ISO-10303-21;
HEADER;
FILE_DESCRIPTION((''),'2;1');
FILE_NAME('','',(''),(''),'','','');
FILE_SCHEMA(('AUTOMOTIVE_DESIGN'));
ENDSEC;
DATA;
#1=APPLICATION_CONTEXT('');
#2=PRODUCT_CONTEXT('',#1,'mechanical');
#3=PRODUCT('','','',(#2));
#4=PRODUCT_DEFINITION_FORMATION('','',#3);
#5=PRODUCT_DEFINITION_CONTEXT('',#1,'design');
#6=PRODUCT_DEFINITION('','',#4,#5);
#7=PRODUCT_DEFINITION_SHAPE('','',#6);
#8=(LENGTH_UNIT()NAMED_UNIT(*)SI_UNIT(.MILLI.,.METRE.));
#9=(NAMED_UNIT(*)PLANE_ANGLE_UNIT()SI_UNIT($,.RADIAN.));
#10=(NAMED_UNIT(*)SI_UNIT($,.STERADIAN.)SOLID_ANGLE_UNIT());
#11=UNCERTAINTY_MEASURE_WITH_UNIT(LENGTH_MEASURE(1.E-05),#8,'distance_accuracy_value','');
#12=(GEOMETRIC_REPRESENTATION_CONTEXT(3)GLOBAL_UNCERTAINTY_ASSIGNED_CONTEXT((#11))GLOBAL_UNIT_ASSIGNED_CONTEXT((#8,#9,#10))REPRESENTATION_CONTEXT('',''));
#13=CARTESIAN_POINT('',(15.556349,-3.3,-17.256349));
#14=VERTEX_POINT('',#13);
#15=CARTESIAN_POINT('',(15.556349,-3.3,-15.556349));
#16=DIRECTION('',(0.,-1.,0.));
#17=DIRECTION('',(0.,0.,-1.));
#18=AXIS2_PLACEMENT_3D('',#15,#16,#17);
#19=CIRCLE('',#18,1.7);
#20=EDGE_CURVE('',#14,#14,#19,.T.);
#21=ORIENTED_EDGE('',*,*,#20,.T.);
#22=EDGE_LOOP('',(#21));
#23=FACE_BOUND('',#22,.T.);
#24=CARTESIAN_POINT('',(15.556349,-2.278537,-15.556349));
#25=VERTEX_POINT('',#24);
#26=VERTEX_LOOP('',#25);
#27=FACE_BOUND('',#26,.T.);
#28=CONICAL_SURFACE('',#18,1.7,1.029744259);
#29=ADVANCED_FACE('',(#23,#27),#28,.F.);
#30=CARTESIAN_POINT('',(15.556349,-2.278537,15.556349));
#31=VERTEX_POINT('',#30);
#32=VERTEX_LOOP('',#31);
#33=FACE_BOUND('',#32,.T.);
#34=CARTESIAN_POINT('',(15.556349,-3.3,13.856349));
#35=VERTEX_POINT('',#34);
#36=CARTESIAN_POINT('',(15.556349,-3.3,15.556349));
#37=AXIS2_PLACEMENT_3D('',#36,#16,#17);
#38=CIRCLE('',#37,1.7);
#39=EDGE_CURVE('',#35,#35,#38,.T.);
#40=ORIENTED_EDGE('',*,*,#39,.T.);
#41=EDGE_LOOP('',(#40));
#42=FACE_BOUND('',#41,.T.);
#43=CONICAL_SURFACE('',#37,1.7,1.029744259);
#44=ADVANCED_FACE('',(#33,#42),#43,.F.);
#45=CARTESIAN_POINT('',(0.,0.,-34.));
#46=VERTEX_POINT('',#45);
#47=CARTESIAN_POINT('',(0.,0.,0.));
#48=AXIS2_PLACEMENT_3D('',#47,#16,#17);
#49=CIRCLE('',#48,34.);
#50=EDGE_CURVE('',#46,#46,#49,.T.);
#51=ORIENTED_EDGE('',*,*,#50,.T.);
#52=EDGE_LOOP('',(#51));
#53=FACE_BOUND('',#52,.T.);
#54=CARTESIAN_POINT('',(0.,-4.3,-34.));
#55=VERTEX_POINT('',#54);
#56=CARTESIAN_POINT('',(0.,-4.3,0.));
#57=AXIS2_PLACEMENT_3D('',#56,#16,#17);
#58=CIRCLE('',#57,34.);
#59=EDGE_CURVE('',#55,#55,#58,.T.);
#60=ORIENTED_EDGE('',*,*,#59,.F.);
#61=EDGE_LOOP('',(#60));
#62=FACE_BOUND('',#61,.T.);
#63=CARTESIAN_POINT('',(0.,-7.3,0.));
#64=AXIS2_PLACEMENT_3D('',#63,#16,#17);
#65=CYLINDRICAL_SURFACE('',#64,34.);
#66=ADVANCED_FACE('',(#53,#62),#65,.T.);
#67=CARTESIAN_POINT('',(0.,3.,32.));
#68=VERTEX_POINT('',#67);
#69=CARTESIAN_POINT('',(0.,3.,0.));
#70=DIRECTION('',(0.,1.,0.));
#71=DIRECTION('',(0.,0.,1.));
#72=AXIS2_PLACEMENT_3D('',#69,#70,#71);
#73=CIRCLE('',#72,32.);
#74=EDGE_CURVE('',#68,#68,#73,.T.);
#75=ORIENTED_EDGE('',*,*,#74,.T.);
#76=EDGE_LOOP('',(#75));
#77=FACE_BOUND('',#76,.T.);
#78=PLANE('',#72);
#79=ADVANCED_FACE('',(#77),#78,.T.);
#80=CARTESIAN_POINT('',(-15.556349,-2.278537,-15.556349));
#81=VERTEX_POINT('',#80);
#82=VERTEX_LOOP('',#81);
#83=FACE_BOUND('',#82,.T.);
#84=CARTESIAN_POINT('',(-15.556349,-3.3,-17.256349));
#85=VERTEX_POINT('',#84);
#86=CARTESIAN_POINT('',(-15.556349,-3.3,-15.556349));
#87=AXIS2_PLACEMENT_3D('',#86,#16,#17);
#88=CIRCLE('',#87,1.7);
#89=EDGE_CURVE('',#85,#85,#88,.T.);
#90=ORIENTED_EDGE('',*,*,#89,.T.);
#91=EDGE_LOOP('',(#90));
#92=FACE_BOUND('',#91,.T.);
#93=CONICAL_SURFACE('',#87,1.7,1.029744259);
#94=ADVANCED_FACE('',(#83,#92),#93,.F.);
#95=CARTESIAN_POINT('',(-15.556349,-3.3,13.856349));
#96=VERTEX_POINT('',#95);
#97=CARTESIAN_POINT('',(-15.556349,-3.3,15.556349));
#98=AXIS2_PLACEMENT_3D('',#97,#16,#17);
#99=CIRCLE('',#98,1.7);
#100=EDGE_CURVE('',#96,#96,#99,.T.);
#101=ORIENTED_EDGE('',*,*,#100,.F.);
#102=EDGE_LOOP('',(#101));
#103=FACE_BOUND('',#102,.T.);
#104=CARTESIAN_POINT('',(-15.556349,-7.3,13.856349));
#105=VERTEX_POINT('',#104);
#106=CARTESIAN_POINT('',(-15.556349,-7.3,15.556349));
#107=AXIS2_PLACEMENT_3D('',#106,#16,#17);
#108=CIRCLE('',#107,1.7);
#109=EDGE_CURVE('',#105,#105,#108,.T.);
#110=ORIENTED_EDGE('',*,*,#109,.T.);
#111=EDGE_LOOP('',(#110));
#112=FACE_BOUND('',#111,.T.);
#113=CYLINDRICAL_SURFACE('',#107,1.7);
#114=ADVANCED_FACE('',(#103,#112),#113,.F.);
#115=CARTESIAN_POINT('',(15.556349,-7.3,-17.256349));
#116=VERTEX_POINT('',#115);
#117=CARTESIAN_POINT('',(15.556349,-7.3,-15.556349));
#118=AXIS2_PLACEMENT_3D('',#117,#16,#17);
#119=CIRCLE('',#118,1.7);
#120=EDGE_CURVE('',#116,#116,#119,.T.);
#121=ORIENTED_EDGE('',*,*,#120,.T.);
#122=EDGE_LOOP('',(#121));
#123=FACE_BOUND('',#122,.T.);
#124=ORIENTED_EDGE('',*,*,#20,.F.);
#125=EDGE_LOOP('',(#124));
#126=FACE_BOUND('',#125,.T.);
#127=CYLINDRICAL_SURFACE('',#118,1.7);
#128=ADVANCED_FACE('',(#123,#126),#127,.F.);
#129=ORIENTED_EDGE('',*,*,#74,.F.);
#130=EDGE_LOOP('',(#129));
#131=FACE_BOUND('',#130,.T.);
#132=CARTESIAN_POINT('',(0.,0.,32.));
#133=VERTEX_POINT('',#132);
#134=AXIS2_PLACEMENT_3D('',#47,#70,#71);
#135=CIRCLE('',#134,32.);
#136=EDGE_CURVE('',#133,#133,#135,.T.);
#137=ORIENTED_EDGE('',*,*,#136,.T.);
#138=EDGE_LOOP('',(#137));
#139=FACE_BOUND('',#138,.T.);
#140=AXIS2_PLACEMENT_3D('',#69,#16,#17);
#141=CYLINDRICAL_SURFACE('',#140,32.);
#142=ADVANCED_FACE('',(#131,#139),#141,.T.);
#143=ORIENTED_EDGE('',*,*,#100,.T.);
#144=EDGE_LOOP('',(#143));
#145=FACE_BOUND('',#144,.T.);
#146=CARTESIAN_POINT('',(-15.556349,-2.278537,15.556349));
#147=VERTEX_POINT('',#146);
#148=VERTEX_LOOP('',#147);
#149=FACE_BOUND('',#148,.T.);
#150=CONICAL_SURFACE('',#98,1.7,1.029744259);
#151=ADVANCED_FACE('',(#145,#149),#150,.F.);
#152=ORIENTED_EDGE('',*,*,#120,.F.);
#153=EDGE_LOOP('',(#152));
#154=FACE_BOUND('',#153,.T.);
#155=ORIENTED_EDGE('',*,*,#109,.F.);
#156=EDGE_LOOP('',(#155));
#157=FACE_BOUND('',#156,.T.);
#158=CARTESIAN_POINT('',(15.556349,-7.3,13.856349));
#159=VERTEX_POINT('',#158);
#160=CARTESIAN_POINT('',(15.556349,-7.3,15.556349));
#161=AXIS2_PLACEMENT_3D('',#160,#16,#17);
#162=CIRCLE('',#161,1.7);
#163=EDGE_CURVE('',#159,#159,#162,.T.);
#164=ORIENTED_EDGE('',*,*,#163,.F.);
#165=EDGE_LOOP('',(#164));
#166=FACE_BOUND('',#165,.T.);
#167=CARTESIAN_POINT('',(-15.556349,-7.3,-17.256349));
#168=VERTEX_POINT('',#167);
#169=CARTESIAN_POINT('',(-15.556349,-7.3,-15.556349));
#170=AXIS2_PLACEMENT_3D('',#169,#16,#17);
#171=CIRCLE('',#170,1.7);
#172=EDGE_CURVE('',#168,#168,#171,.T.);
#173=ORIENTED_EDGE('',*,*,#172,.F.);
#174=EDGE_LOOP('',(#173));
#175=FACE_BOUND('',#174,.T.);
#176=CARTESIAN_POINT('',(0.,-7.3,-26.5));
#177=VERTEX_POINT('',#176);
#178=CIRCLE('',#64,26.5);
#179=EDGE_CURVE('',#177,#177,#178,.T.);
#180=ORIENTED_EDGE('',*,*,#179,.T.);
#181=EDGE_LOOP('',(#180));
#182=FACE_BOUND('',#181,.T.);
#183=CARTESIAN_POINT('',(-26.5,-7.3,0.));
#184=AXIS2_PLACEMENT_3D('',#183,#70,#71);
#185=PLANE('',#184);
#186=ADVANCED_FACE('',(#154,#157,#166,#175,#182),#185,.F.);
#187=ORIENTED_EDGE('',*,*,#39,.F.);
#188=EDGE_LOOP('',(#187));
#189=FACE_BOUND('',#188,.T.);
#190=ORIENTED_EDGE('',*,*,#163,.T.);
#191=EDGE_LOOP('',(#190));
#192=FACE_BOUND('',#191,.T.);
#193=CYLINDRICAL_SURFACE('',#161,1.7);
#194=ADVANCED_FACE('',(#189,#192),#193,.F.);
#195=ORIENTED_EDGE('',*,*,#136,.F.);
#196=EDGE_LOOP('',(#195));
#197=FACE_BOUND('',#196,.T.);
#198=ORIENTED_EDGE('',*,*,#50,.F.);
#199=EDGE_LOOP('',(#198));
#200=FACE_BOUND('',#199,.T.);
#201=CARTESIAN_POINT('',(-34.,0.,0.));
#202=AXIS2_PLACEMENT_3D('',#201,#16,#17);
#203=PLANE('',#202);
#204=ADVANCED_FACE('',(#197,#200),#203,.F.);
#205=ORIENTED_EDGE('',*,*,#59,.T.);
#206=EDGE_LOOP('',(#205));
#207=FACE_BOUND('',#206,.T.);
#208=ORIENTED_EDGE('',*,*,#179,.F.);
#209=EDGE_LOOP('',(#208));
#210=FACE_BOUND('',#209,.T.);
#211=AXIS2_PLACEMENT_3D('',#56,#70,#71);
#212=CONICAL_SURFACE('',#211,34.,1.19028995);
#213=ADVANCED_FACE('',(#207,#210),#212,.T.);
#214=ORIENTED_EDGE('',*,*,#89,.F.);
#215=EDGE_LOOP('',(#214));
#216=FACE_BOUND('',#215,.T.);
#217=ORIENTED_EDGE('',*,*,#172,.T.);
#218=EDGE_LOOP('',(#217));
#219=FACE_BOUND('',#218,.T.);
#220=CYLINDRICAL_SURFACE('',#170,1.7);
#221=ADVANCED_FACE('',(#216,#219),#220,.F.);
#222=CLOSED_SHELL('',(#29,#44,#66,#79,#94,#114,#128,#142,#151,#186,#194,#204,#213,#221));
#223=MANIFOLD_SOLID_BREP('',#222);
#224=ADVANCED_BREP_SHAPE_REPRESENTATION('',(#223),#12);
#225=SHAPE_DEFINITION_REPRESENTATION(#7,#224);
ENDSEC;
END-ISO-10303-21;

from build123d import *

# Parameters (mm, degrees)
SKETCH2_R                = 32
BOSS_EXTRUDE1_DEPTH      = 3
M3_CLEARANCE_HOLE1_D     = 3.4
M3_CLEARANCE_HOLE1_DEPTH = 4
M3_CLEARANCE_HOLE1_TIP   = 1.021463052


with BuildPart() as part:
    # Sketch1 → Revolve1 (revolve)
    with BuildSketch(Plane.XY, mode=Mode.PRIVATE) as revolve1_sk:
        Polygon((-26.5, -7.3), (-34, -4.3), (-34, 0), (0, 0), (0, -7.3), align=None)
    revolve(revolve1_sk.sketch.rotate(Axis((0, -7.3, 0), (0, 1, 0)), 270), axis=Axis((0, -7.3, 0), (0, 1, 0)))

    # Sketch2 → Boss-Extrude1 (add)
    with BuildSketch(Plane(origin=(0, 0, 0), x_dir=(1, 0, 0), z_dir=(0, 1, 0))):
        with Locations(Location((0, 0, 0), (0, 0, 270))):
            Circle(SKETCH2_R)
    extrude(amount=BOSS_EXTRUDE1_DEPTH)

    # M3 Clearance Hole1
    with Locations(Plane(origin=(0, -7.3, 0), x_dir=(-1, 0, 0), z_dir=(0, -1, 0))):
        with Locations((15.556349186, -15.556349186), (15.556349186, 15.556349186), (-15.556349186, 15.556349186), (-15.556349186, -15.556349186)):
            Hole(M3_CLEARANCE_HOLE1_D / 2, depth=M3_CLEARANCE_HOLE1_DEPTH)
            with Locations((0, 0, -(M3_CLEARANCE_HOLE1_DEPTH + M3_CLEARANCE_HOLE1_TIP / 2))):  # 118° drill point
                Cone(0, M3_CLEARANCE_HOLE1_D / 2, M3_CLEARANCE_HOLE1_TIP, mode=Mode.SUBTRACT)


solid = part.part
